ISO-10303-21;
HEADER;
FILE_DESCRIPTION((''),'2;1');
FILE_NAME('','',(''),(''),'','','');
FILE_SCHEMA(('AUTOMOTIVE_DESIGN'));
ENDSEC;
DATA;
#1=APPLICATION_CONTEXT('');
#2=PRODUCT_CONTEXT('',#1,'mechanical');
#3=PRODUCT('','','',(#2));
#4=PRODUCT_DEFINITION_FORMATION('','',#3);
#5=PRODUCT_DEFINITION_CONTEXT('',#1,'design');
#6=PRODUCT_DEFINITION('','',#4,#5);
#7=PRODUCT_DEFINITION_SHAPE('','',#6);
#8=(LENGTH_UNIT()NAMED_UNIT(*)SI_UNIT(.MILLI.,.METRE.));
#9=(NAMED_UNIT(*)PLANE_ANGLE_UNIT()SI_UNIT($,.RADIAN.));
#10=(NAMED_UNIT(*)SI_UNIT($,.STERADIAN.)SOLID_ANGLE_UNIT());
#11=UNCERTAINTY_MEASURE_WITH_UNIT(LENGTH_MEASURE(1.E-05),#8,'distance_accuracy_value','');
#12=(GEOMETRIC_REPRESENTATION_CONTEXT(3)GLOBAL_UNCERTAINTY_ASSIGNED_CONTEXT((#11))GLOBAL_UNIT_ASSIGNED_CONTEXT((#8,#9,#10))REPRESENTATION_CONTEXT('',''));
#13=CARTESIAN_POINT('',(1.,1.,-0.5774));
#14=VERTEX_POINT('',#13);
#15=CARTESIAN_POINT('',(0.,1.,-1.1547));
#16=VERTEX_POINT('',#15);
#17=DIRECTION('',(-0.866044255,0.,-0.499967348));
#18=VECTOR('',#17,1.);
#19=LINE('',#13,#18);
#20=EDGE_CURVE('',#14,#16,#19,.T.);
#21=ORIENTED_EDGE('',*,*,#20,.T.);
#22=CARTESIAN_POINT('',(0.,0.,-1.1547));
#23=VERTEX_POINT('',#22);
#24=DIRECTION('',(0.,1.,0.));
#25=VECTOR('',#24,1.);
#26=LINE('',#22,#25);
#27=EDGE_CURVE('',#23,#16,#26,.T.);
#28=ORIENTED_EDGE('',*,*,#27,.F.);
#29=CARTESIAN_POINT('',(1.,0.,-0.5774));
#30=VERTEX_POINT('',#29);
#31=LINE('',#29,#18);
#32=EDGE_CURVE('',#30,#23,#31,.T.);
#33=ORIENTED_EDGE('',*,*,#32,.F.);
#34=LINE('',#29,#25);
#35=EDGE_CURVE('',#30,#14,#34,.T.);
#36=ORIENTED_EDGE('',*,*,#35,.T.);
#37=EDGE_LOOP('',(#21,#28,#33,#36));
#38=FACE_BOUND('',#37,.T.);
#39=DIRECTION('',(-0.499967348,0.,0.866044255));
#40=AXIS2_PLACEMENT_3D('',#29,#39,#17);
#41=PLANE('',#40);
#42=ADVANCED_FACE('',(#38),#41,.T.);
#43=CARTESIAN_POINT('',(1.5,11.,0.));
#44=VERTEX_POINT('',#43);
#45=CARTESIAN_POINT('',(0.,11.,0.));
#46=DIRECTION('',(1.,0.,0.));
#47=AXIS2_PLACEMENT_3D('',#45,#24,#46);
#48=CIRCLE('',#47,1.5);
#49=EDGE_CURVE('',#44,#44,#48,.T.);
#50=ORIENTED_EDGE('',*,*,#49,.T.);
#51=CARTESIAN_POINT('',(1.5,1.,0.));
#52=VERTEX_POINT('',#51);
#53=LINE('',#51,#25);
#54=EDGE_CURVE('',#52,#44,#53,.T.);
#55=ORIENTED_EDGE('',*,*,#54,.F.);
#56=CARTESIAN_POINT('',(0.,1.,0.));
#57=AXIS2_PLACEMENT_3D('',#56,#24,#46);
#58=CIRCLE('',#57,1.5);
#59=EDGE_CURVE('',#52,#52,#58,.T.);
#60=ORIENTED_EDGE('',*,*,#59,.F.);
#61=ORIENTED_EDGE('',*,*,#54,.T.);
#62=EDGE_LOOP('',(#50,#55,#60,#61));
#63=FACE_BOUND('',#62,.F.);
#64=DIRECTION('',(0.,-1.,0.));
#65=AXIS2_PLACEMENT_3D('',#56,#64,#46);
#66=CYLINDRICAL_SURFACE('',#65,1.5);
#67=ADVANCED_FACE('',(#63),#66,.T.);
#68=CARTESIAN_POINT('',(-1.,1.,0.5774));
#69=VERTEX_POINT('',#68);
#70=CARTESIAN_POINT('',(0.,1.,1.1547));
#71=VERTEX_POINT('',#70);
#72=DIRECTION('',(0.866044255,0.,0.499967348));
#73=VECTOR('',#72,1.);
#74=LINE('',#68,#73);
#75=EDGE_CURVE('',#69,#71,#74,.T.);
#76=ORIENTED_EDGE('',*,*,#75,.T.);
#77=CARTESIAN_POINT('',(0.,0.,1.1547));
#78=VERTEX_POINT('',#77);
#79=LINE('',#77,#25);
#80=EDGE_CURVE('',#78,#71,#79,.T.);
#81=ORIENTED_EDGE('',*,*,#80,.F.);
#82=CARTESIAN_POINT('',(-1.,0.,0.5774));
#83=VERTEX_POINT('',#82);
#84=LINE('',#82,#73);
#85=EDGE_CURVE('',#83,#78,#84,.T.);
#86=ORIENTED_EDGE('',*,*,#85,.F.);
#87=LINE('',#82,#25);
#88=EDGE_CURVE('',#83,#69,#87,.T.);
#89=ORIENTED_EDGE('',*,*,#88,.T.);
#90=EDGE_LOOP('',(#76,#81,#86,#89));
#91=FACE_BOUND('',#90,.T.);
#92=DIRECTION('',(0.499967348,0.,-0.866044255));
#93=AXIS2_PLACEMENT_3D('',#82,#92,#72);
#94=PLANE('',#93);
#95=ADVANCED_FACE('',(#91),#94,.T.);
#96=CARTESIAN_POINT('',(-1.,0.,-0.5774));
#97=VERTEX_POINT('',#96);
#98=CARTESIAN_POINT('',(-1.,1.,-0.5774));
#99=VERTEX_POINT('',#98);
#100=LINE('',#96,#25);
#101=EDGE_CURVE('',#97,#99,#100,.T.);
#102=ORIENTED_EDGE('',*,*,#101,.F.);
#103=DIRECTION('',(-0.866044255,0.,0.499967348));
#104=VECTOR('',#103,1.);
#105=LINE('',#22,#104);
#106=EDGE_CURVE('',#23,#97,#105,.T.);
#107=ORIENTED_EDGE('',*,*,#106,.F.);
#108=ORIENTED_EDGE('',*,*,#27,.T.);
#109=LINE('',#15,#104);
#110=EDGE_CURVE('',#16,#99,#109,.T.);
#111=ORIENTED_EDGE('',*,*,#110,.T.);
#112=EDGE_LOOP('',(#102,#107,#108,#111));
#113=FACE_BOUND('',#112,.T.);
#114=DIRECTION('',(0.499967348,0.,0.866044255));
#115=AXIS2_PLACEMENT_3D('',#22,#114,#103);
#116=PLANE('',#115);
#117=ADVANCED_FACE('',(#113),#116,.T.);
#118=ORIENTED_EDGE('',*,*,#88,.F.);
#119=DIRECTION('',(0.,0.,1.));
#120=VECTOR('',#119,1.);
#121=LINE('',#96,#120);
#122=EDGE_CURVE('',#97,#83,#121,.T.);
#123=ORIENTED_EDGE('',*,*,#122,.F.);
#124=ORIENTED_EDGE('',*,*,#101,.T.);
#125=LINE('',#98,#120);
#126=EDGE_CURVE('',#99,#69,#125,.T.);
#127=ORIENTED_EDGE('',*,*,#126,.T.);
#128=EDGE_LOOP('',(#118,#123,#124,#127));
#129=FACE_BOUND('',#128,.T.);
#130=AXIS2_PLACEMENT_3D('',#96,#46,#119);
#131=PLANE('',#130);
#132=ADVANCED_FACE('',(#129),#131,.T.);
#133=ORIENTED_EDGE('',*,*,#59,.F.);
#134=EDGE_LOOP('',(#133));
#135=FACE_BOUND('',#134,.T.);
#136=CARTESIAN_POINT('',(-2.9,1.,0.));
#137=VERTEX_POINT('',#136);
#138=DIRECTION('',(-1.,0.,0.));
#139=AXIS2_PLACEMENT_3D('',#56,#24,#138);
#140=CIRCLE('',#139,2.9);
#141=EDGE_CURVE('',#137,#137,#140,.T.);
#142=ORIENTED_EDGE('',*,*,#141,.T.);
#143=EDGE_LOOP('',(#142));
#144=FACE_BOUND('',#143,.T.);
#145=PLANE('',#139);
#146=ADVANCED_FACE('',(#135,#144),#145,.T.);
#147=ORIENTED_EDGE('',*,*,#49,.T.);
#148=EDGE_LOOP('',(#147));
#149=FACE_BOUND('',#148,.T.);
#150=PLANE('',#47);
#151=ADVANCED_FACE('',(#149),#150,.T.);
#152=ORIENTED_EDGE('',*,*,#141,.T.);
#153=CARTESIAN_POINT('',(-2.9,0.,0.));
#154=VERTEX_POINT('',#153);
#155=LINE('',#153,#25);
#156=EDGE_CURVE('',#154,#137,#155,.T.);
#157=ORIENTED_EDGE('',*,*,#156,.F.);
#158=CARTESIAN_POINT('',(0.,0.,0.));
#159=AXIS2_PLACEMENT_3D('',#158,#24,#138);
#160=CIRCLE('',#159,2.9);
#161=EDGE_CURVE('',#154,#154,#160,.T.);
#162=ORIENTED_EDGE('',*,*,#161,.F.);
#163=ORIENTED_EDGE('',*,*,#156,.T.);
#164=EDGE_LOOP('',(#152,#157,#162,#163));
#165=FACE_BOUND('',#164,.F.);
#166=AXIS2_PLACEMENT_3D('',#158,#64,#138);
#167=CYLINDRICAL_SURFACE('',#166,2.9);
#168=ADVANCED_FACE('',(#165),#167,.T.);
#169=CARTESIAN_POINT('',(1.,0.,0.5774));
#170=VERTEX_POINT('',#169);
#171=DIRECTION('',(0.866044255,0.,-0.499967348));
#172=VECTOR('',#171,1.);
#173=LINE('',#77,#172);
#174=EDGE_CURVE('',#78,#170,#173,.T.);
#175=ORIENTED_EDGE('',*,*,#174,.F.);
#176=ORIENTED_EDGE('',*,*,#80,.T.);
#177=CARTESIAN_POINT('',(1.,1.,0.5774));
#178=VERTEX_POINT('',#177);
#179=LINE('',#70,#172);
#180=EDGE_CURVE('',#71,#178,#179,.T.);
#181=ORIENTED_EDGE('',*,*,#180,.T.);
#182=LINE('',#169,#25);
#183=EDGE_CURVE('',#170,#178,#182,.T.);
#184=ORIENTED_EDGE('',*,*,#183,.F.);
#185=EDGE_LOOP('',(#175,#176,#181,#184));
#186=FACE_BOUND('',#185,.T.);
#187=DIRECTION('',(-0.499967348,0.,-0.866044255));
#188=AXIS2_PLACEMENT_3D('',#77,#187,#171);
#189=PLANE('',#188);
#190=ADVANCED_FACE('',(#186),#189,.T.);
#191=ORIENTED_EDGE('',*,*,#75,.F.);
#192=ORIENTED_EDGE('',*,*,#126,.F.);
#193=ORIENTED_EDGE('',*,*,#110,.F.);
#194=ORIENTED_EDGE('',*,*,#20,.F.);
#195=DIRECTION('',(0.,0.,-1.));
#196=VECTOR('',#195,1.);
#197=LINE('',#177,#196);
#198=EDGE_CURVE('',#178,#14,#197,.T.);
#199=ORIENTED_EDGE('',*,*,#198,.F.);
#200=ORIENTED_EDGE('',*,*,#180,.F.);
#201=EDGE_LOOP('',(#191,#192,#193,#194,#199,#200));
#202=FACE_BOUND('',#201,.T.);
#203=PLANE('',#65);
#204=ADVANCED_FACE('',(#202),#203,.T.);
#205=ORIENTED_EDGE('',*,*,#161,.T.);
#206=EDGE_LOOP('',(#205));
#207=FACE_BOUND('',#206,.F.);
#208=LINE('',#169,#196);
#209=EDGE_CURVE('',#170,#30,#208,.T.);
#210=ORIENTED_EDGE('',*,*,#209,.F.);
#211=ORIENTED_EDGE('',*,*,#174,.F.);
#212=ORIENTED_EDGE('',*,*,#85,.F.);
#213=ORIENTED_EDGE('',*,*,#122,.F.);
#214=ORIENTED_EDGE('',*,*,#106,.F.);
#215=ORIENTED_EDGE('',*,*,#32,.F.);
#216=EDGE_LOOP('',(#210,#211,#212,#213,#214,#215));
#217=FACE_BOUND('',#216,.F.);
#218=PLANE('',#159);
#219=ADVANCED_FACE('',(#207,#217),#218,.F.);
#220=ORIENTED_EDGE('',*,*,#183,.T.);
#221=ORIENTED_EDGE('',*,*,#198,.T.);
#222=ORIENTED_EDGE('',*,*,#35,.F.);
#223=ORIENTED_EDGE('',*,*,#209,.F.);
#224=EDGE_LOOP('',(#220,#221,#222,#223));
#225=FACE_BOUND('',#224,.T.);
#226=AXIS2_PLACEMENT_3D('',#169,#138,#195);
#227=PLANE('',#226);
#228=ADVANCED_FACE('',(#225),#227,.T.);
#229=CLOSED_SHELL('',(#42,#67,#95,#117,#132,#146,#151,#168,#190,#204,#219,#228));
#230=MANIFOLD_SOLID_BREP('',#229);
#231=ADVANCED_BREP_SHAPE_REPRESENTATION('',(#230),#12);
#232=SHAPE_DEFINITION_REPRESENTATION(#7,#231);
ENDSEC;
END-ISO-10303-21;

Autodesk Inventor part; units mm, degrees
ref_plane "YZ Plane" through (0, 0, 0) normal (1, 0, 0) x (0, 1, 0)
ref_plane "XZ Plane" through (0, 0, 0) normal (0, 1, 0) x (-1, 0, 0)
ref_plane "XY Plane" through (0, 0, 0) normal (0, 0, 1) x (1, 0, 0)
sketch "Sketch1" plane through (0, 0, 0) normal (0, 1, 0) x (-1, 0, 0)
  circle A0 centre (0, 0) radius 2.9
  dimension "d0" = 5.8
extrude "Extrusion1" add sketch "Sketch1" along normal blind 1
sketch "Sketch2" plane through (0, 1, 0) normal (0, 1, 0) x (1, 0, 0)
  circle A0 centre (0, 0) radius 1.5
  dimension "d3" = 3
extrude "Extrusion2" add sketch "Sketch2" along normal blind 10
sketch "Sketch3" plane through (0, 0, 0) normal (0, -1, 0) x (1, 0, 0)
  line L0 (0, -1.1547) -> (-1, -0.5774)
  line L1 (-1, -0.5774) -> (-1, 0.5774)
  line L2 (-1, 0.5774) -> (0, 1.1547)
  line L3 (0, 1.1547) -> (1, 0.5774)
  line L4 (1, 0.5774) -> (1, -0.5774)
  line L5 (1, -0.5774) -> (0, -1.1547)
  point P0 (0, 0)
  point P1 (0, 0)
  dimension "d6" = 2
extrude "Extrusion3" cut sketch "Sketch3" against normal blind 1
properties part number "m3_bolt_pan_8mm" material "Stainless Steel"
